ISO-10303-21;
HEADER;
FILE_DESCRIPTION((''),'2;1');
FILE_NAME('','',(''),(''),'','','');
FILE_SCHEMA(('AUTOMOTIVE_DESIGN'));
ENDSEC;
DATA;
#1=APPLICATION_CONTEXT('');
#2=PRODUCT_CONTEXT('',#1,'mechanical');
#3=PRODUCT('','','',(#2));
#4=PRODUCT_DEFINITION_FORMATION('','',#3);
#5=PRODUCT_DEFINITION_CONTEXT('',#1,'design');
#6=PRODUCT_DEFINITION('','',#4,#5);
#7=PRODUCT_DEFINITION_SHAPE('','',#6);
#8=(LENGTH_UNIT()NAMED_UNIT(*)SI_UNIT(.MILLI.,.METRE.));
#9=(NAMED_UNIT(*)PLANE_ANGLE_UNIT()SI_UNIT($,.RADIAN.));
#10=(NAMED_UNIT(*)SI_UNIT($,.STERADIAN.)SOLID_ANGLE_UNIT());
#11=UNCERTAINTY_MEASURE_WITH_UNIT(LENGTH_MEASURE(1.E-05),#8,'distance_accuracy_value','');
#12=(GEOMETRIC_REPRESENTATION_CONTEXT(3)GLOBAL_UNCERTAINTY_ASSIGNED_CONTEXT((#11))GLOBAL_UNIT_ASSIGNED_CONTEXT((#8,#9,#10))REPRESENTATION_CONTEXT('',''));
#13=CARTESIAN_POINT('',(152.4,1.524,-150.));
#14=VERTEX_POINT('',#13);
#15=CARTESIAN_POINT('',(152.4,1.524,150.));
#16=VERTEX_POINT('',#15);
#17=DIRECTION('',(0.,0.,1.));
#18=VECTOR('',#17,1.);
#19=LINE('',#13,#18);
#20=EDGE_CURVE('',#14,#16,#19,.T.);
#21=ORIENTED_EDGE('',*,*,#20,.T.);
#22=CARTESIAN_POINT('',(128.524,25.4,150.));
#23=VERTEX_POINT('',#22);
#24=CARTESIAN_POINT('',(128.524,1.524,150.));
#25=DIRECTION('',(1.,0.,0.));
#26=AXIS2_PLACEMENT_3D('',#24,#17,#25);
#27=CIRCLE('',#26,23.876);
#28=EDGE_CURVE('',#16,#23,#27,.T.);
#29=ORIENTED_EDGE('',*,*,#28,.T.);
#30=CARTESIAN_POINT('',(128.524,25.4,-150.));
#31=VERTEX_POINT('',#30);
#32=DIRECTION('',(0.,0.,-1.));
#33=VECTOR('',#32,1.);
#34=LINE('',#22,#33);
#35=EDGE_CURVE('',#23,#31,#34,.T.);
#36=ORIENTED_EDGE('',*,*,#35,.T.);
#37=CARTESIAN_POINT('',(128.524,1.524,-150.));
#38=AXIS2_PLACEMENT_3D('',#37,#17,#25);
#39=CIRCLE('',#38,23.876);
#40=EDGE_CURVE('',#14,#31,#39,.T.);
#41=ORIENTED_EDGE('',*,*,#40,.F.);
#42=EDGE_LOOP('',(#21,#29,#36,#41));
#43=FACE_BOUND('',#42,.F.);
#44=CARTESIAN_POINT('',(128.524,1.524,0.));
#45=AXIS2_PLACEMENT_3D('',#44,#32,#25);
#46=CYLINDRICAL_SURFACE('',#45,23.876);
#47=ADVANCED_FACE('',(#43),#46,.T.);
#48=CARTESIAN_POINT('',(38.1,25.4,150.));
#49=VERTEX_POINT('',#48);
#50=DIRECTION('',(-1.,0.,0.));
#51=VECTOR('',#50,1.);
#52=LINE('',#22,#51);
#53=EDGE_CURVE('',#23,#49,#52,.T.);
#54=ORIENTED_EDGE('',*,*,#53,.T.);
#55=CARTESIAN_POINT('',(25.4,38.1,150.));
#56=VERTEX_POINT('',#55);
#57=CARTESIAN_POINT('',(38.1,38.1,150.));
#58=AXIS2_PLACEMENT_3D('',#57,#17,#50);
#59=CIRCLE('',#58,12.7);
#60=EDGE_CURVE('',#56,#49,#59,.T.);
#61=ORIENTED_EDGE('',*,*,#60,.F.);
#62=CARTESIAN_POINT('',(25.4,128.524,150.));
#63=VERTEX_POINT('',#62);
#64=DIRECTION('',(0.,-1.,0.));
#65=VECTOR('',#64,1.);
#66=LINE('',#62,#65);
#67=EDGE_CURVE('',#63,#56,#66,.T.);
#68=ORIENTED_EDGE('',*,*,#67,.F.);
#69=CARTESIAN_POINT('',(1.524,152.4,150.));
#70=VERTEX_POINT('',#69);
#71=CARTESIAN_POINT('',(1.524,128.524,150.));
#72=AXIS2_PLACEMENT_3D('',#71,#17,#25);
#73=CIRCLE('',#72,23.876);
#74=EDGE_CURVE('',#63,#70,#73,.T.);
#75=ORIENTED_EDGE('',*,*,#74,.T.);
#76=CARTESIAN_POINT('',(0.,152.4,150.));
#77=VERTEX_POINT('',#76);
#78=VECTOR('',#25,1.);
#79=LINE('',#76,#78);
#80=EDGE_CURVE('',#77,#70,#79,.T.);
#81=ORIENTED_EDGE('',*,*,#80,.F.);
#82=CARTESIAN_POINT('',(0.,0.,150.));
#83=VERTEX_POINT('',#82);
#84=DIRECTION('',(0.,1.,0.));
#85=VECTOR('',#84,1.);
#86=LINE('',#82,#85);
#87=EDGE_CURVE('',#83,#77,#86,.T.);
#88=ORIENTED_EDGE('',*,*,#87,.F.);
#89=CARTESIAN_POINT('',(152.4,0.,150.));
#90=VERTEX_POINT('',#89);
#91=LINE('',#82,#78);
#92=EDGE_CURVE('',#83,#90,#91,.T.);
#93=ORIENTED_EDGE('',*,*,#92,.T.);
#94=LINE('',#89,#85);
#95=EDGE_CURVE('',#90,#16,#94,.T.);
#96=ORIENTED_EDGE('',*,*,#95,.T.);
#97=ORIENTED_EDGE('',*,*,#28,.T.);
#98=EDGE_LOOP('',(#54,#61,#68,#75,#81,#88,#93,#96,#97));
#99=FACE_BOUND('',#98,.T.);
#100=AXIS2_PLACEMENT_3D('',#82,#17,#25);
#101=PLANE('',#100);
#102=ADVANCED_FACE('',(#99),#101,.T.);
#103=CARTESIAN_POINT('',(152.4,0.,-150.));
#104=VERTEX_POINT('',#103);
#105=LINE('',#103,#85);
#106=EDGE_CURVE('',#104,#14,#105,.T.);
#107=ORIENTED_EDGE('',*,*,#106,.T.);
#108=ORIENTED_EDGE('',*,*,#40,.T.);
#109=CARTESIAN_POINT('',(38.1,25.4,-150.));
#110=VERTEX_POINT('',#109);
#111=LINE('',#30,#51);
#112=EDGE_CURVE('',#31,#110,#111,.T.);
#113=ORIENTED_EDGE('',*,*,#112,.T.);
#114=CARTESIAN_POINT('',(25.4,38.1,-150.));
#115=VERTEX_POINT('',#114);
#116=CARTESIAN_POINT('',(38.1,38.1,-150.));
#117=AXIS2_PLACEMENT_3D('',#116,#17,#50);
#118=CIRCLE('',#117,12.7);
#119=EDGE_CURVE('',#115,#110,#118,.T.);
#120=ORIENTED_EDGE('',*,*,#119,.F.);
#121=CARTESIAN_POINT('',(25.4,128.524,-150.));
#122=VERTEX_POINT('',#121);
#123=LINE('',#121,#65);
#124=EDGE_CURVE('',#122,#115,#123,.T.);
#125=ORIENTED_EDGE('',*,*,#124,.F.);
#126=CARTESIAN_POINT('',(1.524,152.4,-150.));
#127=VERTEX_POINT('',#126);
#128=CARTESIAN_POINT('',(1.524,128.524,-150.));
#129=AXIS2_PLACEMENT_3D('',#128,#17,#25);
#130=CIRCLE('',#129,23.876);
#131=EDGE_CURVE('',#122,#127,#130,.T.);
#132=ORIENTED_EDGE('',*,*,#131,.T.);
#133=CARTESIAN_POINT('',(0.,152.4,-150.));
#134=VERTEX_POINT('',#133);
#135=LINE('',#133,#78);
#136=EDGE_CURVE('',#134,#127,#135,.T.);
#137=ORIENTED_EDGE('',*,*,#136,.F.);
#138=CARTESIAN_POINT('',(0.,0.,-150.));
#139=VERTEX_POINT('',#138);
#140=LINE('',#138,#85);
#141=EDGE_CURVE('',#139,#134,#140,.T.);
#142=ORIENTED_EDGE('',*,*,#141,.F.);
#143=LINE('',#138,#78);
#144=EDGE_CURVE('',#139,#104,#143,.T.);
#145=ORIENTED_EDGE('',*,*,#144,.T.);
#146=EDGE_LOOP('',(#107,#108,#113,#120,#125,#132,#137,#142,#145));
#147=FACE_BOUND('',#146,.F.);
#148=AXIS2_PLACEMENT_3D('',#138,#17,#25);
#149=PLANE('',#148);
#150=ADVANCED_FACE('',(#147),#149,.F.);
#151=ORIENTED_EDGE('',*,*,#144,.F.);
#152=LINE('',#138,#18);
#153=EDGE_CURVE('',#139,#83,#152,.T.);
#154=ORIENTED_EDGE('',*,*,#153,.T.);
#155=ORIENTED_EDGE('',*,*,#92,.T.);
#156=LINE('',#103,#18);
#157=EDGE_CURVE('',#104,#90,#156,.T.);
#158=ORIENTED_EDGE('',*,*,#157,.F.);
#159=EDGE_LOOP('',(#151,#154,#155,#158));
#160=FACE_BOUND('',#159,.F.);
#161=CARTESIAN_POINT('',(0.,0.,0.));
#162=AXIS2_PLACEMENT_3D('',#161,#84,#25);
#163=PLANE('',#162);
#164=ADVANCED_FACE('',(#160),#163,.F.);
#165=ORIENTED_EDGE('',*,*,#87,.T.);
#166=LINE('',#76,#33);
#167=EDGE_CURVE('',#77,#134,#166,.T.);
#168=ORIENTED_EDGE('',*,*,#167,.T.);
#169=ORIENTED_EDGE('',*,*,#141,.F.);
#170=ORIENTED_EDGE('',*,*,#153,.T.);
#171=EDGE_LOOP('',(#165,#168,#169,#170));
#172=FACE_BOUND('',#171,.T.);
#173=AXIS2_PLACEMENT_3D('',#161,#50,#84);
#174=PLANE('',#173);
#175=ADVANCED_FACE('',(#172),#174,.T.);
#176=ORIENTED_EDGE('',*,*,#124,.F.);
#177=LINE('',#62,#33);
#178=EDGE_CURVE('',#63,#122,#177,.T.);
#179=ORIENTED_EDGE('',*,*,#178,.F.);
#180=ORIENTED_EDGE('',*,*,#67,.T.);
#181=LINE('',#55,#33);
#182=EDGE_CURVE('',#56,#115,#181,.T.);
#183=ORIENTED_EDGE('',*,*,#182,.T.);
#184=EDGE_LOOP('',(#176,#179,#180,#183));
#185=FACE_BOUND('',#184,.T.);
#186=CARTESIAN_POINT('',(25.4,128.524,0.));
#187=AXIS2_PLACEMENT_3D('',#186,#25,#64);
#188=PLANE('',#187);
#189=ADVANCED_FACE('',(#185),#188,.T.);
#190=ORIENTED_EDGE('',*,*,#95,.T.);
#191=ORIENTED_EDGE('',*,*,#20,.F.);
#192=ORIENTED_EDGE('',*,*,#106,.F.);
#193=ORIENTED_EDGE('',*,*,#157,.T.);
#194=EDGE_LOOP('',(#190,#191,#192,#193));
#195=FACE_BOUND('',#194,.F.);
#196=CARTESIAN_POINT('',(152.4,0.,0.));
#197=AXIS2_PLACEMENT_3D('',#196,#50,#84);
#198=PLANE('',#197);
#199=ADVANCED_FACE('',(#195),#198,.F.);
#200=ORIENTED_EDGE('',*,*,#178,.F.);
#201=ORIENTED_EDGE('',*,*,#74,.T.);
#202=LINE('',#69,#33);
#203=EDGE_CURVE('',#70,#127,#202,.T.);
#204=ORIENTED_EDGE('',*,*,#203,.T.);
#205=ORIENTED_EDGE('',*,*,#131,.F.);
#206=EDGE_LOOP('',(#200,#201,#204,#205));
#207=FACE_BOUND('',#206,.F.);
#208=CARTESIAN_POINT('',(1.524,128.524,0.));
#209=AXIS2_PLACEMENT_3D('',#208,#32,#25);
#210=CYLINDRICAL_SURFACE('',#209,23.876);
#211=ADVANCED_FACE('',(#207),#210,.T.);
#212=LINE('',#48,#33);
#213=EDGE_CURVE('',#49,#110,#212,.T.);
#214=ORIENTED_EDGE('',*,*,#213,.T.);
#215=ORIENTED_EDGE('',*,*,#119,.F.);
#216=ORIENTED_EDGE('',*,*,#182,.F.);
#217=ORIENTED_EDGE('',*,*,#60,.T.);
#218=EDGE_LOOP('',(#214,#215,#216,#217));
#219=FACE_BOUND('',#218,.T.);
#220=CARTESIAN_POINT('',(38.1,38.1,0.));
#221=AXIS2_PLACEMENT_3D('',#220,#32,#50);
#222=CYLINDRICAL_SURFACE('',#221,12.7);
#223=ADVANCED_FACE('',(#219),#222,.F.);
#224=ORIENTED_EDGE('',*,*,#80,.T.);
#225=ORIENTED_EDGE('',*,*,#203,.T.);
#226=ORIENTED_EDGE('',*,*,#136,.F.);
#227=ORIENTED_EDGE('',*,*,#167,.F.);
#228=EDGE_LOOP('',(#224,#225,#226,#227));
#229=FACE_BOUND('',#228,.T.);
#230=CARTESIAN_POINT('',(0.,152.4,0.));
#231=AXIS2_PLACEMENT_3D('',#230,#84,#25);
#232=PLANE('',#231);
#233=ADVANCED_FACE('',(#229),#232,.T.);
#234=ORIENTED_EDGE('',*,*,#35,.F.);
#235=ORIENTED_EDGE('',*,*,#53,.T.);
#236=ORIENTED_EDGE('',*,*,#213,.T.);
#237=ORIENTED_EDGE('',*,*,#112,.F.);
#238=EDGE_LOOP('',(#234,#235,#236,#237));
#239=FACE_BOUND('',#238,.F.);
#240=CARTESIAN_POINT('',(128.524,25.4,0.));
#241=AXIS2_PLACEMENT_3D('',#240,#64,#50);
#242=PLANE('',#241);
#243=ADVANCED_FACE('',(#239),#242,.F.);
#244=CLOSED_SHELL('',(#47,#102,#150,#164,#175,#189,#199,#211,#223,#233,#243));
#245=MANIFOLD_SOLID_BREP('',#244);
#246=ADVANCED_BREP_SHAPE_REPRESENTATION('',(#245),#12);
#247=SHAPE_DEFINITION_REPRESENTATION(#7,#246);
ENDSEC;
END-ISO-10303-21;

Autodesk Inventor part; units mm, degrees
ref_plane "YZ Plane" through (0, 0, 0) normal (1, 0, 0) x (0, 1, 0)
ref_plane "XZ Plane" through (0, 0, 0) normal (0, 1, 0) x (-1, 0, 0)
ref_plane "XY Plane" through (0, 0, 0) normal (0, 0, 1) x (1, 0, 0)
sketch "Sketch1" plane through (0, 0, 0) normal (0, 0, 1) x (1, 0, 0)
  line L0 (0, 0) -> (0, 152.4)
  line L1 (0, 152.4) -> (1.524, 152.4)
  line L2 (25.4, 128.524) -> (25.4, 38.1)
  line L3 (0, 0) -> (152.4, 0)
  line L4 (152.4, 0) -> (152.4, 1.524)
  line L5 (128.524, 25.4) -> (38.1, 25.4)
  arc A0 (25.4, 38.1) -> (38.1, 25.4) centre (38.1, 38.1) ccw
  arc A1 (25.4, 128.524) -> (1.524, 152.4) centre (1.524, 128.524) ccw
  arc A2 (152.4, 1.524) -> (128.524, 25.4) centre (128.524, 1.524) ccw
  line L6 (0, 188.8139) -> (0, -31.469) projected
  line L7 (-31.469, 0) -> (188.8139, 0) projected
  point P0 (0, 0)
  dimension "thickness" = 25.4
  dimension "d3" = 25.4
  dimension "LegSize" = 152.4
  dimension "d5" = 152.4
  dimension "radius" = 12.7
  dimension "d7" = 23.876
  dimension "d8" = 23.876
  dimension "d11" = 0
  dimension "d12" = 0
extrude "6\" X 6\" X 1\"" add sketch "Sketch1" along normal mid plane 300
equation "\"d3\" = thickness"
equation "\"d5\" = LegSize"
properties part number "ANGLE IRON, 6 X 6 X 1 THK" material "Angle Iron"
